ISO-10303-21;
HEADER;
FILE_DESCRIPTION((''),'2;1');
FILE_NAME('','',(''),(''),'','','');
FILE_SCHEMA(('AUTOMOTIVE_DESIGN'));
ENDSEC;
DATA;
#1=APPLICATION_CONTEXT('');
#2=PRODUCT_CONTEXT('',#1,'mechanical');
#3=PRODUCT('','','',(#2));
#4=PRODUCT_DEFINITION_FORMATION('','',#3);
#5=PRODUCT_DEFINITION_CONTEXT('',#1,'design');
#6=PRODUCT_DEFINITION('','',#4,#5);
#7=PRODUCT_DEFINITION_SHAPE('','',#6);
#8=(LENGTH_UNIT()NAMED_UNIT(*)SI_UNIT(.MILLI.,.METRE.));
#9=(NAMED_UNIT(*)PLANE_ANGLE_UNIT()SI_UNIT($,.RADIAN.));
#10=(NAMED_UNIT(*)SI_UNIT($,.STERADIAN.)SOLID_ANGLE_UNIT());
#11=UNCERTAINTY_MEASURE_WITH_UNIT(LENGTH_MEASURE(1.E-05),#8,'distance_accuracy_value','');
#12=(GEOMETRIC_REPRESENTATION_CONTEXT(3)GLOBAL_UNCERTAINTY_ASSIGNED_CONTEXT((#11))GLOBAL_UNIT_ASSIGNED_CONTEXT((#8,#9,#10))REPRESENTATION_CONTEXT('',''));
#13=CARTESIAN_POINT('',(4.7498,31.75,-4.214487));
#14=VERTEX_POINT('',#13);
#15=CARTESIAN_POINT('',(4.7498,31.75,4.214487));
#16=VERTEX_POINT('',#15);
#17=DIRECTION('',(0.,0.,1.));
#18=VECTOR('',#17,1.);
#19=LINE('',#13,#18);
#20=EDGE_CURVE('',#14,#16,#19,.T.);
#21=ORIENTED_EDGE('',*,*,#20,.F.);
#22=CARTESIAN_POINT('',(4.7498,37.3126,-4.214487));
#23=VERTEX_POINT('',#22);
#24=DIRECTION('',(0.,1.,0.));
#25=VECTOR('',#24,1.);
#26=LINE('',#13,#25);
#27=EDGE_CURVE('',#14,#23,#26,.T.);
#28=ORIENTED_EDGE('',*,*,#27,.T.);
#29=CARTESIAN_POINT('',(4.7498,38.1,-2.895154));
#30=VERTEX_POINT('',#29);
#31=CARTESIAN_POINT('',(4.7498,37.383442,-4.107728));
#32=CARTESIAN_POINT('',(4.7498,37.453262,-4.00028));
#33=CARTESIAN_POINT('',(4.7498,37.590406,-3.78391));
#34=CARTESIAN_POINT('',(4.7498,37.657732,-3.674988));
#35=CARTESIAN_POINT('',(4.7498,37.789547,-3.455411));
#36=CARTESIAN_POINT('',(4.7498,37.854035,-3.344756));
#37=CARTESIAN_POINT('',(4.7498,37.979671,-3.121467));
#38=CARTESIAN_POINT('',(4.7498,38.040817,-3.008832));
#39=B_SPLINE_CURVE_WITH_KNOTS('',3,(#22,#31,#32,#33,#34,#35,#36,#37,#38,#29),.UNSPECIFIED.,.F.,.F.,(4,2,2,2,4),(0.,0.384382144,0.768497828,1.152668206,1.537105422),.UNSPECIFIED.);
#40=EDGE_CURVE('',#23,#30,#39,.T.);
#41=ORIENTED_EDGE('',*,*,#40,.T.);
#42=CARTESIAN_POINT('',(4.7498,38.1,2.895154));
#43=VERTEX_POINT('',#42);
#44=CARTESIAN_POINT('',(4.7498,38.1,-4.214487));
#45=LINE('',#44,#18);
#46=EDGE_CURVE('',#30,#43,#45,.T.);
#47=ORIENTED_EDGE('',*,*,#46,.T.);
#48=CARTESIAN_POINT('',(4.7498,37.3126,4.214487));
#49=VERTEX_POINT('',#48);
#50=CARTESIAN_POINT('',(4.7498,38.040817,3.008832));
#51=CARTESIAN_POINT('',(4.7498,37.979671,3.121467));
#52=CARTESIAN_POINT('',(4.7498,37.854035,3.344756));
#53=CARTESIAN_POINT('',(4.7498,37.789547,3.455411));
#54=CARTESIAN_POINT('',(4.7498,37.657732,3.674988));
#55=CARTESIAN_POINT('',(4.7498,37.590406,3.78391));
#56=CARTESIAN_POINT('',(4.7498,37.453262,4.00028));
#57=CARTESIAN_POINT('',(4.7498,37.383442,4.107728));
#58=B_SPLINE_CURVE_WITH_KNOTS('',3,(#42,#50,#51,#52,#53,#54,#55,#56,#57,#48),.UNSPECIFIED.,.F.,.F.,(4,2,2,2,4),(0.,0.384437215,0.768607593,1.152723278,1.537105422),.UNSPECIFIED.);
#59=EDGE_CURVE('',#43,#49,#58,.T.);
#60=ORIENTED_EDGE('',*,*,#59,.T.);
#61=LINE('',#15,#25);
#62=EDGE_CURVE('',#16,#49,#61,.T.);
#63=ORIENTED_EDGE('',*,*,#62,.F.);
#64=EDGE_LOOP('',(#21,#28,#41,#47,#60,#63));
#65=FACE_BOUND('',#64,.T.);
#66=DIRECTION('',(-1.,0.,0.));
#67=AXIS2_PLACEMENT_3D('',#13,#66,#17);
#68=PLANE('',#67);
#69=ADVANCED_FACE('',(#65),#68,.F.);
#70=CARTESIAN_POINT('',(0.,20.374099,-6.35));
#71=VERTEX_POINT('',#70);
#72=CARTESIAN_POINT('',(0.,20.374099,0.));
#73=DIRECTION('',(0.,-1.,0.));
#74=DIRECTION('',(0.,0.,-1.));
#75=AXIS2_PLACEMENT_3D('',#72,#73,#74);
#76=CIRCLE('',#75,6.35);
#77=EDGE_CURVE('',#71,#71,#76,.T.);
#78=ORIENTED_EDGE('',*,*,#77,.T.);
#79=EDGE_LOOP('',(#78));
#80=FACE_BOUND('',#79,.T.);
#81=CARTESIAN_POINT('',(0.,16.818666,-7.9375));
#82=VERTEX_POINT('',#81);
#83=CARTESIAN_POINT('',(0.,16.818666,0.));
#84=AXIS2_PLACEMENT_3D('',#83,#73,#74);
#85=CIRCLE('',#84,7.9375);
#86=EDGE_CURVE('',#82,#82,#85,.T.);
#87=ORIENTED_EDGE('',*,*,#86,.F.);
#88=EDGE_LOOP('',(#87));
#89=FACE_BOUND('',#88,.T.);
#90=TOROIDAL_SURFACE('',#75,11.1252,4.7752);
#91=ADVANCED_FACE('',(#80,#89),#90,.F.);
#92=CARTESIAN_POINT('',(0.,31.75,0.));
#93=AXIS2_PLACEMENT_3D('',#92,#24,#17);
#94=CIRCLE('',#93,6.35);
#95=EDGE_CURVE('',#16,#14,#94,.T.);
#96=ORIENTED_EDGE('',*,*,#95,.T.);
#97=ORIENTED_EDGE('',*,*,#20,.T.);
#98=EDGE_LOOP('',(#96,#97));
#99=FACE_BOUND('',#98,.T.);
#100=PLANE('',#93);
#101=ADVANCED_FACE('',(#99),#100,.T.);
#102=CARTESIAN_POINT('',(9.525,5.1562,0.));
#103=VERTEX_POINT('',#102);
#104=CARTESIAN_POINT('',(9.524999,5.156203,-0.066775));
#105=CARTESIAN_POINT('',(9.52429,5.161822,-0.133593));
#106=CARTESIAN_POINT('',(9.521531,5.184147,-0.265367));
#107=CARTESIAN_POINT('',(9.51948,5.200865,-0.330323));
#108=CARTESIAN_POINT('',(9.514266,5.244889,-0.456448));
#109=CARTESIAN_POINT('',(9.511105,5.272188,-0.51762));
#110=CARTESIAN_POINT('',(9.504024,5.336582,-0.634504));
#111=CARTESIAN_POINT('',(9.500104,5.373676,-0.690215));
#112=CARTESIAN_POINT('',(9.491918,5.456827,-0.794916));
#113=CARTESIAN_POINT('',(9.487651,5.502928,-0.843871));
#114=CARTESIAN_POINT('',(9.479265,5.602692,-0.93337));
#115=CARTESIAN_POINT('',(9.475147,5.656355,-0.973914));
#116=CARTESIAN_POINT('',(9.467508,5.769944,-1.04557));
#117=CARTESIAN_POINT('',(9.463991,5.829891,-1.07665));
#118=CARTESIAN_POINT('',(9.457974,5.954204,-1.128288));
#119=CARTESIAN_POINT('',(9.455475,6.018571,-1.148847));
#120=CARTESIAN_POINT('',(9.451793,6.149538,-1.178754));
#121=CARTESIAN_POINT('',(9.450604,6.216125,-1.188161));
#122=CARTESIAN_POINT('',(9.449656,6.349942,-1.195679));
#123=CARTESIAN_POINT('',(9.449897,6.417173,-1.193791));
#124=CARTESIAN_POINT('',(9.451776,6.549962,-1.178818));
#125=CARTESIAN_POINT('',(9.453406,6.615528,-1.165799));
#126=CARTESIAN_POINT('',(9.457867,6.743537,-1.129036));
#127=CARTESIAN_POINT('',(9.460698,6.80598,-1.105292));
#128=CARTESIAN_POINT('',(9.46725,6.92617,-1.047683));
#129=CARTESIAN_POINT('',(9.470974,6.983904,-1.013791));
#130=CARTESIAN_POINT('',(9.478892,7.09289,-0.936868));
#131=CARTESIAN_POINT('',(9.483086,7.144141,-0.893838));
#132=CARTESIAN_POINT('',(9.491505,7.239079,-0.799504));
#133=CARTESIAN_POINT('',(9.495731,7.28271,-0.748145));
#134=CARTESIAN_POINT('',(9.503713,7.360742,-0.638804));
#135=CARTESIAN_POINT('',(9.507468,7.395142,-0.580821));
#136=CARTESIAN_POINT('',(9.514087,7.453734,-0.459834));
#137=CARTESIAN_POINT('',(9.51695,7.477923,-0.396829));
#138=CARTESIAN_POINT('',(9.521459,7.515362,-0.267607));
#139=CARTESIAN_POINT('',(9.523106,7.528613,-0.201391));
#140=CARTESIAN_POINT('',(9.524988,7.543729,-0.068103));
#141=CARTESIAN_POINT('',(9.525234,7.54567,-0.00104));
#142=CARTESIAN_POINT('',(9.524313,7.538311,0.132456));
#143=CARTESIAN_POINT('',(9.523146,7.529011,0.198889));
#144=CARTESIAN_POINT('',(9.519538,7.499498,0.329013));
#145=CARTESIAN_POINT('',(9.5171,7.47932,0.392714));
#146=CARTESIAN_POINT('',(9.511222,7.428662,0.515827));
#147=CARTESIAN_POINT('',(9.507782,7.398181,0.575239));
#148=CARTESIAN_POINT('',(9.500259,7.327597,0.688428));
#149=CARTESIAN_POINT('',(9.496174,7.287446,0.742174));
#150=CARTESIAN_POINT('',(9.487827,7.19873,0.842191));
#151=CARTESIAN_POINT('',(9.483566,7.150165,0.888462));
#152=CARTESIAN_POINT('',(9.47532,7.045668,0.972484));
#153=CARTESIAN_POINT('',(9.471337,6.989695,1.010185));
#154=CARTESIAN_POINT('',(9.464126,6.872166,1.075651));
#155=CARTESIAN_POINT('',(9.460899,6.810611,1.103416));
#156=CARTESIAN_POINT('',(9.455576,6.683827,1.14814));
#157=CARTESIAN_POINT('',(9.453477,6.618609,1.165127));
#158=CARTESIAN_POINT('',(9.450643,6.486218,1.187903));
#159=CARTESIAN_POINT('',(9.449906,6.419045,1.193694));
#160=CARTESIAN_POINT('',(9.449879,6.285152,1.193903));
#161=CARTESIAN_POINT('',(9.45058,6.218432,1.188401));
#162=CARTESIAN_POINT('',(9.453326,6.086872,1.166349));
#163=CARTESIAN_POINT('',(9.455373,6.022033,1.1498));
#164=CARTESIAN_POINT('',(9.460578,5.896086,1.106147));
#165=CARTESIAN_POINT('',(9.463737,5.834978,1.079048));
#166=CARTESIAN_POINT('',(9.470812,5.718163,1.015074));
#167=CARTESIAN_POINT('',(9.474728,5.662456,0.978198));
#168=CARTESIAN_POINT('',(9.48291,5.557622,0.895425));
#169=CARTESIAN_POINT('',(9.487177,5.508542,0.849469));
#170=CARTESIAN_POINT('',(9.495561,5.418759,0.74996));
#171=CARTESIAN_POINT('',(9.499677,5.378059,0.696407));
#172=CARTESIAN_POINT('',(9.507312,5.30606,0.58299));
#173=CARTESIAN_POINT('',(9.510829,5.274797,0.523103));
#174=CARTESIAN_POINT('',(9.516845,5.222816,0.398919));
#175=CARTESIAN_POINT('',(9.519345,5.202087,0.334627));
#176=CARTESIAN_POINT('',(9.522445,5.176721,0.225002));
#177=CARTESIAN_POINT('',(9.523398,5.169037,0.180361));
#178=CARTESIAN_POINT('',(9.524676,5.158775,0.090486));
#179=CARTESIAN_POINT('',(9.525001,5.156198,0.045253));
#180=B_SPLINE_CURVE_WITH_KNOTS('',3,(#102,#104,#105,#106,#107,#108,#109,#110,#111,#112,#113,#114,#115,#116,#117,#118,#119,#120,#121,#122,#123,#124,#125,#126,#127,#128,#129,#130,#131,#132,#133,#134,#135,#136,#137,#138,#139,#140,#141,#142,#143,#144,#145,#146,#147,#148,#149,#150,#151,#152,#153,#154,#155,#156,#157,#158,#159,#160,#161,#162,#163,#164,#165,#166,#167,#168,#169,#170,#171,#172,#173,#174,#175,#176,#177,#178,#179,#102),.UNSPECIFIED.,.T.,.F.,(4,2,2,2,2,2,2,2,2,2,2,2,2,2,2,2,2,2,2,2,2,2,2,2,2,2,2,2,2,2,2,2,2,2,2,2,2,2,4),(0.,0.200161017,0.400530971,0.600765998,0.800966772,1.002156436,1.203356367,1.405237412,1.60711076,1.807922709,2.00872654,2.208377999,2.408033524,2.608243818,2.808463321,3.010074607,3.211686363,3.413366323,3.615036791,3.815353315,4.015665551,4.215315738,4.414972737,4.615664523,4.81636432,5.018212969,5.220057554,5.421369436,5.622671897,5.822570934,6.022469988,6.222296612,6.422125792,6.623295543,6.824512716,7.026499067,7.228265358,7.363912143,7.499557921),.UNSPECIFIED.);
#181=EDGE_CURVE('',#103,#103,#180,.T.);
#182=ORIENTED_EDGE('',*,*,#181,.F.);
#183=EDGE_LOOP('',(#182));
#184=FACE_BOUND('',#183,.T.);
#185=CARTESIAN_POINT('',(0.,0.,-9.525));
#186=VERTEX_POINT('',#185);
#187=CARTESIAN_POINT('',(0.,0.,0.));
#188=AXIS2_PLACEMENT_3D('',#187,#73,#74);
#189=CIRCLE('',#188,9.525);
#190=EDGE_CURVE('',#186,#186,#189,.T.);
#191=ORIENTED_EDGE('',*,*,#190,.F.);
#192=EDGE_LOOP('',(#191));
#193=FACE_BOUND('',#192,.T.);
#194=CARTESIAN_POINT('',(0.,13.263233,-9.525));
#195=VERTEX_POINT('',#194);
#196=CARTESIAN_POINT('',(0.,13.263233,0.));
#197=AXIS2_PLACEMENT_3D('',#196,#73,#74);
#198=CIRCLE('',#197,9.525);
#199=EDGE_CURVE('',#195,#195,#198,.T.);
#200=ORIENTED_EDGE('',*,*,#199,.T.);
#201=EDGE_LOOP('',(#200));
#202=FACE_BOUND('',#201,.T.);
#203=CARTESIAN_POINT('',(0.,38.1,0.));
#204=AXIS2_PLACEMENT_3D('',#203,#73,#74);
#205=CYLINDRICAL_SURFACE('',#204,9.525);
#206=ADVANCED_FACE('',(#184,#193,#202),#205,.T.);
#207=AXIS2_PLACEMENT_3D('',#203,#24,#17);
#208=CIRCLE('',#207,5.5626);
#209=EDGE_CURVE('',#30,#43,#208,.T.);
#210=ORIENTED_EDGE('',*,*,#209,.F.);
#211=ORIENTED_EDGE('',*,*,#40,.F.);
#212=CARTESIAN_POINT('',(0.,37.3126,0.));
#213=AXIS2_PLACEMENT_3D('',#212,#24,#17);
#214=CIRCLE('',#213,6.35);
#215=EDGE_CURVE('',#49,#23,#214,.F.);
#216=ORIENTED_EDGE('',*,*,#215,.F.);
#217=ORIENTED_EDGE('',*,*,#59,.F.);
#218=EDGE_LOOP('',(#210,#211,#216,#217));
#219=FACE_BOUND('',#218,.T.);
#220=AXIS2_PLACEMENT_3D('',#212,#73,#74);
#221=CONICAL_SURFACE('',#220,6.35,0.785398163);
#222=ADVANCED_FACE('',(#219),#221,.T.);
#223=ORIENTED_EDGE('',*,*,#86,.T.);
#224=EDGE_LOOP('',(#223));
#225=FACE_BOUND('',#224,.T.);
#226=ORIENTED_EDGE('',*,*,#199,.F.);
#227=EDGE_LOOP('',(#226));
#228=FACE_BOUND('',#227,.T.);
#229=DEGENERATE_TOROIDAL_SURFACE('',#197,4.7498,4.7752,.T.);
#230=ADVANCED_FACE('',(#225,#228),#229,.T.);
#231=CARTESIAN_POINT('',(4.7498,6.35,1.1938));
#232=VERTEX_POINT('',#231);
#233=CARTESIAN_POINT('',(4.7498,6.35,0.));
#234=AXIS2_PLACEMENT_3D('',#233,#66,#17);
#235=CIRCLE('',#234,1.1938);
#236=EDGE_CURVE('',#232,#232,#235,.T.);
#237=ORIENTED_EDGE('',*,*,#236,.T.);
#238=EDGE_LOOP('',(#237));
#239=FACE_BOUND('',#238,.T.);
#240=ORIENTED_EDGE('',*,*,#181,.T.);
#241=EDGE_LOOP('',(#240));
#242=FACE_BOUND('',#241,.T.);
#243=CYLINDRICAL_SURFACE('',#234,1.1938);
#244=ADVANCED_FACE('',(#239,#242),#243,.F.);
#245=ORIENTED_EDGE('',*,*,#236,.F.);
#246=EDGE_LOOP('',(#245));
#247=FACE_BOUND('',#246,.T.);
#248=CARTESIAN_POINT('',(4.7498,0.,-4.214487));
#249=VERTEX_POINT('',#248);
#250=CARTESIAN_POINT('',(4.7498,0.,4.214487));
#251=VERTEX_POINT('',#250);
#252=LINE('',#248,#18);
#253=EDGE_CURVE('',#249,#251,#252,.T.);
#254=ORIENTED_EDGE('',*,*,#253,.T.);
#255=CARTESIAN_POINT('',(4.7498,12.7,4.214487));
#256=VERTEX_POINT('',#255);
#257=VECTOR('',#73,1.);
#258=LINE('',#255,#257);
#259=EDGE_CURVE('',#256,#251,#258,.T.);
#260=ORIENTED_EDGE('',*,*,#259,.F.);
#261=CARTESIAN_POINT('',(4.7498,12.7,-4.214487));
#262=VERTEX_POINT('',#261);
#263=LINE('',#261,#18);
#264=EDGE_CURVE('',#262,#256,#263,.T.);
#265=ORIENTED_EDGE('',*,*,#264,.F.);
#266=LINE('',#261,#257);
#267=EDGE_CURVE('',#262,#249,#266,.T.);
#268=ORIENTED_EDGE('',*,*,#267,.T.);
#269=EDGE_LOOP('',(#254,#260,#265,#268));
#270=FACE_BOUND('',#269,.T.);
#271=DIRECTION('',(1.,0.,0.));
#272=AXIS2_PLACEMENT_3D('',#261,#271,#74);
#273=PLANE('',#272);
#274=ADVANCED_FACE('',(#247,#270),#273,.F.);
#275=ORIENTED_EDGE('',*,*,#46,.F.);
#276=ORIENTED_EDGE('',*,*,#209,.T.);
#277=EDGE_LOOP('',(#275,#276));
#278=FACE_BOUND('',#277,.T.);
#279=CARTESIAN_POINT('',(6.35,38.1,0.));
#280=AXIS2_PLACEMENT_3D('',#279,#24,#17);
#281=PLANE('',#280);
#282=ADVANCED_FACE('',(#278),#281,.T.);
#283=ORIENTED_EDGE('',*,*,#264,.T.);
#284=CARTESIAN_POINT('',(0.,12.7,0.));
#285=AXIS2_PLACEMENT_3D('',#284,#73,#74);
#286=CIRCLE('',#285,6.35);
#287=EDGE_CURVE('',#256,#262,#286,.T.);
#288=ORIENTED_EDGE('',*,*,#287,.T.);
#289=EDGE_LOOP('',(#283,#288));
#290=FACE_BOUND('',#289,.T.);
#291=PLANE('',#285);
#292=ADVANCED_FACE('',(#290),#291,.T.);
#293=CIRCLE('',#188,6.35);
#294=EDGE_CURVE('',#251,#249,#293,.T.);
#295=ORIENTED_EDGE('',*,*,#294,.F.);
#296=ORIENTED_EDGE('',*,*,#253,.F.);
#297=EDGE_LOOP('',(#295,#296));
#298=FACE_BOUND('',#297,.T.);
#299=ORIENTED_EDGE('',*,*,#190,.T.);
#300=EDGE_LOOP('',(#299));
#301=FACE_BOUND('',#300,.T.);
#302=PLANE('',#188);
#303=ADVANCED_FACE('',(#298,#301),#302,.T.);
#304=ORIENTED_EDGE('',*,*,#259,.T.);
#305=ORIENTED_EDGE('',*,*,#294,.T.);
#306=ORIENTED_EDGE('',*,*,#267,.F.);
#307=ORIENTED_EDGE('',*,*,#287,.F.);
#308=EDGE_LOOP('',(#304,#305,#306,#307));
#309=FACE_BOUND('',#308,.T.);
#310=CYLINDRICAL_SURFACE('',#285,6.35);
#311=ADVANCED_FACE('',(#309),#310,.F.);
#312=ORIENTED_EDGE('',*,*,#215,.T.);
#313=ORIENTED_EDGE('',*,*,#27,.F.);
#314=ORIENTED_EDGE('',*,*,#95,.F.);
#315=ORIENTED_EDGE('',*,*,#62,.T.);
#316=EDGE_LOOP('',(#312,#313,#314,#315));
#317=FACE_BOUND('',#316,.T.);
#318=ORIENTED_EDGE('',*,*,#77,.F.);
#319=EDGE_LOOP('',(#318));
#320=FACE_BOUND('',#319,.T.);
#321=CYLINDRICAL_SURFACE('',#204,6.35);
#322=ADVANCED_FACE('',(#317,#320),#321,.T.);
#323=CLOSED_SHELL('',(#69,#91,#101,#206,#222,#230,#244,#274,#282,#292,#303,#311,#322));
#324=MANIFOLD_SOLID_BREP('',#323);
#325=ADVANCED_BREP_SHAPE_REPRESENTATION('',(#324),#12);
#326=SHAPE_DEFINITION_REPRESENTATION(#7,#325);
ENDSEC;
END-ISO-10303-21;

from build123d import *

# Parameters (mm, degrees)
CUT_EXTRUDE_1_DEPTH    = 6.35
CUT_EXTRUDE_START      = -12.7
CUT_EXTRUDE_2_DEPTH    = 12.7
HOLE_WIZARD_M2_1_D     = 2.3876
HOLE_WIZARD_M2_1_DEPTH = 4.7752
CHAMFER_1_SIZE         = 0.7874


with BuildPart() as part:
    # 스케치1 → 회전1 (revolve)
    with BuildSketch(Plane.XY, mode=Mode.PRIVATE) as revolve_1_sk:
        with BuildLine():
            Line((6.35, 38.1), (0, 38.1))
            Line((0, 38.1), (0, 0))
            Line((0, 0), (9.525, 0))
            Line((9.525, 0), (9.525, 13.263233373))
            ThreePointArc((9.525, 13.263233373), (9.110100453, 15.210106507), (7.9375, 16.818666364))
            ThreePointArc((7.9375, 16.818666364), (6.764899547, 18.42722622), (6.35, 20.374099354))
            Line((6.35, 20.374099354), (6.35, 38.1))
        make_face()
    revolve(revolve_1_sk.sketch.rotate(Axis((0, 38.1, 0), (0, -1, 0)), 270), axis=Axis((0, 38.1, 0), (0, -1, 0)))

    # 스케치2 → 컷-돌출1 (cut)
    with BuildSketch(Plane(origin=(0, 38.1, 0), x_dir=(-1, 0, 0), z_dir=(0, 1, 0))):
        with BuildLine():
            Line((-4.7498, -4.214486915), (-4.7498, 4.214486915))
            ThreePointArc((-4.7498, 4.214486915), (-6.35, 0), (-4.7498, -4.214486915))
        make_face()
    extrude(amount=-CUT_EXTRUDE_1_DEPTH, mode=Mode.SUBTRACT)

    # 스케치3 → 컷-돌출2 (cut)
    with BuildSketch(Plane.XZ.offset(CUT_EXTRUDE_START)):
        with BuildLine():
            Line((4.7498, -4.214486915), (4.7498, 4.214486915))
            ThreePointArc((4.7498, 4.214486915), (-6.35, 0), (4.7498, -4.214486915))
        make_face()
    extrude(amount=CUT_EXTRUDE_2_DEPTH, mode=Mode.SUBTRACT)

    # M2 여유 구멍1
    with Locations(Plane.ZY.offset(-4.7498)):
        with Locations((0, 6.35)):
            Hole(HOLE_WIZARD_M2_1_D / 2, depth=HOLE_WIZARD_M2_1_DEPTH)

    # 모따기1
    chamfer_1_edges = [part.edges().sort_by_distance(p)[0] for p in [
        (-5.791566796, 38.1, 2.603892095),
    ]]
    chamfer(chamfer_1_edges, length=CHAMFER_1_SIZE)


solid = part.part
